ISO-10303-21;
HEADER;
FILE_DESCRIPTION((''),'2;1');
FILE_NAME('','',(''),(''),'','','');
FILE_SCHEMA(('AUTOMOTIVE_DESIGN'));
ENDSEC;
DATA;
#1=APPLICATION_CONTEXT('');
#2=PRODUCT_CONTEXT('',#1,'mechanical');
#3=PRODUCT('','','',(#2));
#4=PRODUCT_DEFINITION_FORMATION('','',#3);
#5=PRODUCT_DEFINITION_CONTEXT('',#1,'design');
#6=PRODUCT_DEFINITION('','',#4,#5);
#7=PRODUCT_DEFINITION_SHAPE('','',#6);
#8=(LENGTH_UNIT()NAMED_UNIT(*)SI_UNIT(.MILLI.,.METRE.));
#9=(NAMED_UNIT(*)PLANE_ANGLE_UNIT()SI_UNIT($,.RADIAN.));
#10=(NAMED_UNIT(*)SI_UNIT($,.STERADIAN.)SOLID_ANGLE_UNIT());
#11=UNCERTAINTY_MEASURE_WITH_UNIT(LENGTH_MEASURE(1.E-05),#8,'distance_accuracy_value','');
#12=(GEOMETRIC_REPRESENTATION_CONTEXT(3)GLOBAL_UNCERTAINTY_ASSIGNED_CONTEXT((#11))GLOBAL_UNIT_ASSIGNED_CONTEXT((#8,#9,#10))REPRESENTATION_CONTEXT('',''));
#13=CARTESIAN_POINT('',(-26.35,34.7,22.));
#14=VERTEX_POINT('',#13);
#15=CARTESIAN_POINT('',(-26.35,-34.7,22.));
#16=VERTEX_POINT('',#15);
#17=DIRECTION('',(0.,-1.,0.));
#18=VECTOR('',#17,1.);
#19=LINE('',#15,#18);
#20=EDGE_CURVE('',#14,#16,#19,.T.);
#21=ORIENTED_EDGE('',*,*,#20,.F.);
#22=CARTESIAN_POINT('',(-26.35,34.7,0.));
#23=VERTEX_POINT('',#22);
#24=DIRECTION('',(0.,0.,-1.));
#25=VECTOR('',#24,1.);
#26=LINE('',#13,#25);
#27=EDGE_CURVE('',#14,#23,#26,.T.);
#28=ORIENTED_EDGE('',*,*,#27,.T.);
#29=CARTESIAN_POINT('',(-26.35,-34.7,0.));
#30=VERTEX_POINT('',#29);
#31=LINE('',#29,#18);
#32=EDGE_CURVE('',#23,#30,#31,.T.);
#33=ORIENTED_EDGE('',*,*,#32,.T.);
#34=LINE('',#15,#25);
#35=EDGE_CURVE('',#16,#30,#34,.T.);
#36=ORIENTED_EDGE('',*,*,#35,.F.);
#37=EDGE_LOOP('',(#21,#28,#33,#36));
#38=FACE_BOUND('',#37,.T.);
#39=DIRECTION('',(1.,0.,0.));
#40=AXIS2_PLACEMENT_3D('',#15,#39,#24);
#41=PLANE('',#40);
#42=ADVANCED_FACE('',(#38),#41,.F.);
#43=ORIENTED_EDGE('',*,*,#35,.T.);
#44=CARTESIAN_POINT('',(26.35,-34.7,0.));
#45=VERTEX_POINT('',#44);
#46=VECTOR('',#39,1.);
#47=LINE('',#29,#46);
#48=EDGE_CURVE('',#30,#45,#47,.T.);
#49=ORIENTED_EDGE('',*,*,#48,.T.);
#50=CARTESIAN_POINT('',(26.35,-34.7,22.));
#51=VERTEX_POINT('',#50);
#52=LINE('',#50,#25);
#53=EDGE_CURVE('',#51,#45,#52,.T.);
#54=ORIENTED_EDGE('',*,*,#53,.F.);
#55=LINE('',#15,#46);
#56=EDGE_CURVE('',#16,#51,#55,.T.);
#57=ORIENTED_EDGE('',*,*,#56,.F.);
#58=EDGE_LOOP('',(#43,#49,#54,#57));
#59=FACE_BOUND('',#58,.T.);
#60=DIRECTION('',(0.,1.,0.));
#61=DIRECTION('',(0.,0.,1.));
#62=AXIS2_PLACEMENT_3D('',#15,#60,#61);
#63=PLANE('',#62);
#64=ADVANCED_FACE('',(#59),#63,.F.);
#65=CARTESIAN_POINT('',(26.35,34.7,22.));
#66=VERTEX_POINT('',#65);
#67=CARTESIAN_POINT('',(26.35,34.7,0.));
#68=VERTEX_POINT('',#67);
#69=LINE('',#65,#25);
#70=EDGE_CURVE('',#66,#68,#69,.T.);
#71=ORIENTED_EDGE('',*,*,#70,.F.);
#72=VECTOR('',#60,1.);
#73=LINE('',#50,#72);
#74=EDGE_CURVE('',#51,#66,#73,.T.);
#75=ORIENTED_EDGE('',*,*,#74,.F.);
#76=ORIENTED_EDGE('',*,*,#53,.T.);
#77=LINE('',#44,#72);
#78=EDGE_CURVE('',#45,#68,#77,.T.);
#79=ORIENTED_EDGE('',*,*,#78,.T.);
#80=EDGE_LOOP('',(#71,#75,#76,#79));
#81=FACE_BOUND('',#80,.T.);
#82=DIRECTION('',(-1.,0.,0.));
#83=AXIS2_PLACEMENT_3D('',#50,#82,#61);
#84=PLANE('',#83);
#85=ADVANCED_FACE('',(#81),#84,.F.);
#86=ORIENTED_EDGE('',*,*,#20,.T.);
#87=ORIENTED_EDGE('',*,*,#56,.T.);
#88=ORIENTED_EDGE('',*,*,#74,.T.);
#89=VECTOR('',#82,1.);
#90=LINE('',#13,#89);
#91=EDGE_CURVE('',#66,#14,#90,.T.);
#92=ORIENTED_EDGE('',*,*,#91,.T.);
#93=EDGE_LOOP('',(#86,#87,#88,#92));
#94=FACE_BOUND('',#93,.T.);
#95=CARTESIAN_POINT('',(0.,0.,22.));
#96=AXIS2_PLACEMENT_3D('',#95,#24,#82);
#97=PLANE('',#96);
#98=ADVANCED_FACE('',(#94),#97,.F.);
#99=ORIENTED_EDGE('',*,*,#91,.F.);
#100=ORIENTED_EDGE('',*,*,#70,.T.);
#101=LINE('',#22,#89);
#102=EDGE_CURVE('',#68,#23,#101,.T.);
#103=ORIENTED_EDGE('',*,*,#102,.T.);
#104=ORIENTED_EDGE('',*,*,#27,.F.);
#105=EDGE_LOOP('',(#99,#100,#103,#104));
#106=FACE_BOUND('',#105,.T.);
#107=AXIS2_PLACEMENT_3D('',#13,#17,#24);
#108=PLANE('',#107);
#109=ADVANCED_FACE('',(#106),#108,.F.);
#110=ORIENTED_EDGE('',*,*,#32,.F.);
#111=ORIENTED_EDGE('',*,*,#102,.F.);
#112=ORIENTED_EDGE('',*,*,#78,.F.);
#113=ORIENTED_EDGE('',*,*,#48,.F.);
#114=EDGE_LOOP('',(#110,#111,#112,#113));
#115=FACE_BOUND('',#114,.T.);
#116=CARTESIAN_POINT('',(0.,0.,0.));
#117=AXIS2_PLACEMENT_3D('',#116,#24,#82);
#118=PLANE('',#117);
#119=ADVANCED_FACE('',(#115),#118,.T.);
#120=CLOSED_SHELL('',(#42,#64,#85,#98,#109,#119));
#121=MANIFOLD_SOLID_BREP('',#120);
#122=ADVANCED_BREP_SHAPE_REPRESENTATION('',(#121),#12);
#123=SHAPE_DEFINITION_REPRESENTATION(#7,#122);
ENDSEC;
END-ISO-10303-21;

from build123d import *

# Parameters (mm, degrees)
SKETCH1_W      = 52.7
SKETCH1_H      = 69.4
ENVELOPE_DEPTH = 22


with BuildPart() as part:
    # Sketch1 → Envelope (new body)
    with BuildSketch(Plane.XY):
        Rectangle(SKETCH1_W, SKETCH1_H)
    extrude(amount=ENVELOPE_DEPTH)


solid = part.part
